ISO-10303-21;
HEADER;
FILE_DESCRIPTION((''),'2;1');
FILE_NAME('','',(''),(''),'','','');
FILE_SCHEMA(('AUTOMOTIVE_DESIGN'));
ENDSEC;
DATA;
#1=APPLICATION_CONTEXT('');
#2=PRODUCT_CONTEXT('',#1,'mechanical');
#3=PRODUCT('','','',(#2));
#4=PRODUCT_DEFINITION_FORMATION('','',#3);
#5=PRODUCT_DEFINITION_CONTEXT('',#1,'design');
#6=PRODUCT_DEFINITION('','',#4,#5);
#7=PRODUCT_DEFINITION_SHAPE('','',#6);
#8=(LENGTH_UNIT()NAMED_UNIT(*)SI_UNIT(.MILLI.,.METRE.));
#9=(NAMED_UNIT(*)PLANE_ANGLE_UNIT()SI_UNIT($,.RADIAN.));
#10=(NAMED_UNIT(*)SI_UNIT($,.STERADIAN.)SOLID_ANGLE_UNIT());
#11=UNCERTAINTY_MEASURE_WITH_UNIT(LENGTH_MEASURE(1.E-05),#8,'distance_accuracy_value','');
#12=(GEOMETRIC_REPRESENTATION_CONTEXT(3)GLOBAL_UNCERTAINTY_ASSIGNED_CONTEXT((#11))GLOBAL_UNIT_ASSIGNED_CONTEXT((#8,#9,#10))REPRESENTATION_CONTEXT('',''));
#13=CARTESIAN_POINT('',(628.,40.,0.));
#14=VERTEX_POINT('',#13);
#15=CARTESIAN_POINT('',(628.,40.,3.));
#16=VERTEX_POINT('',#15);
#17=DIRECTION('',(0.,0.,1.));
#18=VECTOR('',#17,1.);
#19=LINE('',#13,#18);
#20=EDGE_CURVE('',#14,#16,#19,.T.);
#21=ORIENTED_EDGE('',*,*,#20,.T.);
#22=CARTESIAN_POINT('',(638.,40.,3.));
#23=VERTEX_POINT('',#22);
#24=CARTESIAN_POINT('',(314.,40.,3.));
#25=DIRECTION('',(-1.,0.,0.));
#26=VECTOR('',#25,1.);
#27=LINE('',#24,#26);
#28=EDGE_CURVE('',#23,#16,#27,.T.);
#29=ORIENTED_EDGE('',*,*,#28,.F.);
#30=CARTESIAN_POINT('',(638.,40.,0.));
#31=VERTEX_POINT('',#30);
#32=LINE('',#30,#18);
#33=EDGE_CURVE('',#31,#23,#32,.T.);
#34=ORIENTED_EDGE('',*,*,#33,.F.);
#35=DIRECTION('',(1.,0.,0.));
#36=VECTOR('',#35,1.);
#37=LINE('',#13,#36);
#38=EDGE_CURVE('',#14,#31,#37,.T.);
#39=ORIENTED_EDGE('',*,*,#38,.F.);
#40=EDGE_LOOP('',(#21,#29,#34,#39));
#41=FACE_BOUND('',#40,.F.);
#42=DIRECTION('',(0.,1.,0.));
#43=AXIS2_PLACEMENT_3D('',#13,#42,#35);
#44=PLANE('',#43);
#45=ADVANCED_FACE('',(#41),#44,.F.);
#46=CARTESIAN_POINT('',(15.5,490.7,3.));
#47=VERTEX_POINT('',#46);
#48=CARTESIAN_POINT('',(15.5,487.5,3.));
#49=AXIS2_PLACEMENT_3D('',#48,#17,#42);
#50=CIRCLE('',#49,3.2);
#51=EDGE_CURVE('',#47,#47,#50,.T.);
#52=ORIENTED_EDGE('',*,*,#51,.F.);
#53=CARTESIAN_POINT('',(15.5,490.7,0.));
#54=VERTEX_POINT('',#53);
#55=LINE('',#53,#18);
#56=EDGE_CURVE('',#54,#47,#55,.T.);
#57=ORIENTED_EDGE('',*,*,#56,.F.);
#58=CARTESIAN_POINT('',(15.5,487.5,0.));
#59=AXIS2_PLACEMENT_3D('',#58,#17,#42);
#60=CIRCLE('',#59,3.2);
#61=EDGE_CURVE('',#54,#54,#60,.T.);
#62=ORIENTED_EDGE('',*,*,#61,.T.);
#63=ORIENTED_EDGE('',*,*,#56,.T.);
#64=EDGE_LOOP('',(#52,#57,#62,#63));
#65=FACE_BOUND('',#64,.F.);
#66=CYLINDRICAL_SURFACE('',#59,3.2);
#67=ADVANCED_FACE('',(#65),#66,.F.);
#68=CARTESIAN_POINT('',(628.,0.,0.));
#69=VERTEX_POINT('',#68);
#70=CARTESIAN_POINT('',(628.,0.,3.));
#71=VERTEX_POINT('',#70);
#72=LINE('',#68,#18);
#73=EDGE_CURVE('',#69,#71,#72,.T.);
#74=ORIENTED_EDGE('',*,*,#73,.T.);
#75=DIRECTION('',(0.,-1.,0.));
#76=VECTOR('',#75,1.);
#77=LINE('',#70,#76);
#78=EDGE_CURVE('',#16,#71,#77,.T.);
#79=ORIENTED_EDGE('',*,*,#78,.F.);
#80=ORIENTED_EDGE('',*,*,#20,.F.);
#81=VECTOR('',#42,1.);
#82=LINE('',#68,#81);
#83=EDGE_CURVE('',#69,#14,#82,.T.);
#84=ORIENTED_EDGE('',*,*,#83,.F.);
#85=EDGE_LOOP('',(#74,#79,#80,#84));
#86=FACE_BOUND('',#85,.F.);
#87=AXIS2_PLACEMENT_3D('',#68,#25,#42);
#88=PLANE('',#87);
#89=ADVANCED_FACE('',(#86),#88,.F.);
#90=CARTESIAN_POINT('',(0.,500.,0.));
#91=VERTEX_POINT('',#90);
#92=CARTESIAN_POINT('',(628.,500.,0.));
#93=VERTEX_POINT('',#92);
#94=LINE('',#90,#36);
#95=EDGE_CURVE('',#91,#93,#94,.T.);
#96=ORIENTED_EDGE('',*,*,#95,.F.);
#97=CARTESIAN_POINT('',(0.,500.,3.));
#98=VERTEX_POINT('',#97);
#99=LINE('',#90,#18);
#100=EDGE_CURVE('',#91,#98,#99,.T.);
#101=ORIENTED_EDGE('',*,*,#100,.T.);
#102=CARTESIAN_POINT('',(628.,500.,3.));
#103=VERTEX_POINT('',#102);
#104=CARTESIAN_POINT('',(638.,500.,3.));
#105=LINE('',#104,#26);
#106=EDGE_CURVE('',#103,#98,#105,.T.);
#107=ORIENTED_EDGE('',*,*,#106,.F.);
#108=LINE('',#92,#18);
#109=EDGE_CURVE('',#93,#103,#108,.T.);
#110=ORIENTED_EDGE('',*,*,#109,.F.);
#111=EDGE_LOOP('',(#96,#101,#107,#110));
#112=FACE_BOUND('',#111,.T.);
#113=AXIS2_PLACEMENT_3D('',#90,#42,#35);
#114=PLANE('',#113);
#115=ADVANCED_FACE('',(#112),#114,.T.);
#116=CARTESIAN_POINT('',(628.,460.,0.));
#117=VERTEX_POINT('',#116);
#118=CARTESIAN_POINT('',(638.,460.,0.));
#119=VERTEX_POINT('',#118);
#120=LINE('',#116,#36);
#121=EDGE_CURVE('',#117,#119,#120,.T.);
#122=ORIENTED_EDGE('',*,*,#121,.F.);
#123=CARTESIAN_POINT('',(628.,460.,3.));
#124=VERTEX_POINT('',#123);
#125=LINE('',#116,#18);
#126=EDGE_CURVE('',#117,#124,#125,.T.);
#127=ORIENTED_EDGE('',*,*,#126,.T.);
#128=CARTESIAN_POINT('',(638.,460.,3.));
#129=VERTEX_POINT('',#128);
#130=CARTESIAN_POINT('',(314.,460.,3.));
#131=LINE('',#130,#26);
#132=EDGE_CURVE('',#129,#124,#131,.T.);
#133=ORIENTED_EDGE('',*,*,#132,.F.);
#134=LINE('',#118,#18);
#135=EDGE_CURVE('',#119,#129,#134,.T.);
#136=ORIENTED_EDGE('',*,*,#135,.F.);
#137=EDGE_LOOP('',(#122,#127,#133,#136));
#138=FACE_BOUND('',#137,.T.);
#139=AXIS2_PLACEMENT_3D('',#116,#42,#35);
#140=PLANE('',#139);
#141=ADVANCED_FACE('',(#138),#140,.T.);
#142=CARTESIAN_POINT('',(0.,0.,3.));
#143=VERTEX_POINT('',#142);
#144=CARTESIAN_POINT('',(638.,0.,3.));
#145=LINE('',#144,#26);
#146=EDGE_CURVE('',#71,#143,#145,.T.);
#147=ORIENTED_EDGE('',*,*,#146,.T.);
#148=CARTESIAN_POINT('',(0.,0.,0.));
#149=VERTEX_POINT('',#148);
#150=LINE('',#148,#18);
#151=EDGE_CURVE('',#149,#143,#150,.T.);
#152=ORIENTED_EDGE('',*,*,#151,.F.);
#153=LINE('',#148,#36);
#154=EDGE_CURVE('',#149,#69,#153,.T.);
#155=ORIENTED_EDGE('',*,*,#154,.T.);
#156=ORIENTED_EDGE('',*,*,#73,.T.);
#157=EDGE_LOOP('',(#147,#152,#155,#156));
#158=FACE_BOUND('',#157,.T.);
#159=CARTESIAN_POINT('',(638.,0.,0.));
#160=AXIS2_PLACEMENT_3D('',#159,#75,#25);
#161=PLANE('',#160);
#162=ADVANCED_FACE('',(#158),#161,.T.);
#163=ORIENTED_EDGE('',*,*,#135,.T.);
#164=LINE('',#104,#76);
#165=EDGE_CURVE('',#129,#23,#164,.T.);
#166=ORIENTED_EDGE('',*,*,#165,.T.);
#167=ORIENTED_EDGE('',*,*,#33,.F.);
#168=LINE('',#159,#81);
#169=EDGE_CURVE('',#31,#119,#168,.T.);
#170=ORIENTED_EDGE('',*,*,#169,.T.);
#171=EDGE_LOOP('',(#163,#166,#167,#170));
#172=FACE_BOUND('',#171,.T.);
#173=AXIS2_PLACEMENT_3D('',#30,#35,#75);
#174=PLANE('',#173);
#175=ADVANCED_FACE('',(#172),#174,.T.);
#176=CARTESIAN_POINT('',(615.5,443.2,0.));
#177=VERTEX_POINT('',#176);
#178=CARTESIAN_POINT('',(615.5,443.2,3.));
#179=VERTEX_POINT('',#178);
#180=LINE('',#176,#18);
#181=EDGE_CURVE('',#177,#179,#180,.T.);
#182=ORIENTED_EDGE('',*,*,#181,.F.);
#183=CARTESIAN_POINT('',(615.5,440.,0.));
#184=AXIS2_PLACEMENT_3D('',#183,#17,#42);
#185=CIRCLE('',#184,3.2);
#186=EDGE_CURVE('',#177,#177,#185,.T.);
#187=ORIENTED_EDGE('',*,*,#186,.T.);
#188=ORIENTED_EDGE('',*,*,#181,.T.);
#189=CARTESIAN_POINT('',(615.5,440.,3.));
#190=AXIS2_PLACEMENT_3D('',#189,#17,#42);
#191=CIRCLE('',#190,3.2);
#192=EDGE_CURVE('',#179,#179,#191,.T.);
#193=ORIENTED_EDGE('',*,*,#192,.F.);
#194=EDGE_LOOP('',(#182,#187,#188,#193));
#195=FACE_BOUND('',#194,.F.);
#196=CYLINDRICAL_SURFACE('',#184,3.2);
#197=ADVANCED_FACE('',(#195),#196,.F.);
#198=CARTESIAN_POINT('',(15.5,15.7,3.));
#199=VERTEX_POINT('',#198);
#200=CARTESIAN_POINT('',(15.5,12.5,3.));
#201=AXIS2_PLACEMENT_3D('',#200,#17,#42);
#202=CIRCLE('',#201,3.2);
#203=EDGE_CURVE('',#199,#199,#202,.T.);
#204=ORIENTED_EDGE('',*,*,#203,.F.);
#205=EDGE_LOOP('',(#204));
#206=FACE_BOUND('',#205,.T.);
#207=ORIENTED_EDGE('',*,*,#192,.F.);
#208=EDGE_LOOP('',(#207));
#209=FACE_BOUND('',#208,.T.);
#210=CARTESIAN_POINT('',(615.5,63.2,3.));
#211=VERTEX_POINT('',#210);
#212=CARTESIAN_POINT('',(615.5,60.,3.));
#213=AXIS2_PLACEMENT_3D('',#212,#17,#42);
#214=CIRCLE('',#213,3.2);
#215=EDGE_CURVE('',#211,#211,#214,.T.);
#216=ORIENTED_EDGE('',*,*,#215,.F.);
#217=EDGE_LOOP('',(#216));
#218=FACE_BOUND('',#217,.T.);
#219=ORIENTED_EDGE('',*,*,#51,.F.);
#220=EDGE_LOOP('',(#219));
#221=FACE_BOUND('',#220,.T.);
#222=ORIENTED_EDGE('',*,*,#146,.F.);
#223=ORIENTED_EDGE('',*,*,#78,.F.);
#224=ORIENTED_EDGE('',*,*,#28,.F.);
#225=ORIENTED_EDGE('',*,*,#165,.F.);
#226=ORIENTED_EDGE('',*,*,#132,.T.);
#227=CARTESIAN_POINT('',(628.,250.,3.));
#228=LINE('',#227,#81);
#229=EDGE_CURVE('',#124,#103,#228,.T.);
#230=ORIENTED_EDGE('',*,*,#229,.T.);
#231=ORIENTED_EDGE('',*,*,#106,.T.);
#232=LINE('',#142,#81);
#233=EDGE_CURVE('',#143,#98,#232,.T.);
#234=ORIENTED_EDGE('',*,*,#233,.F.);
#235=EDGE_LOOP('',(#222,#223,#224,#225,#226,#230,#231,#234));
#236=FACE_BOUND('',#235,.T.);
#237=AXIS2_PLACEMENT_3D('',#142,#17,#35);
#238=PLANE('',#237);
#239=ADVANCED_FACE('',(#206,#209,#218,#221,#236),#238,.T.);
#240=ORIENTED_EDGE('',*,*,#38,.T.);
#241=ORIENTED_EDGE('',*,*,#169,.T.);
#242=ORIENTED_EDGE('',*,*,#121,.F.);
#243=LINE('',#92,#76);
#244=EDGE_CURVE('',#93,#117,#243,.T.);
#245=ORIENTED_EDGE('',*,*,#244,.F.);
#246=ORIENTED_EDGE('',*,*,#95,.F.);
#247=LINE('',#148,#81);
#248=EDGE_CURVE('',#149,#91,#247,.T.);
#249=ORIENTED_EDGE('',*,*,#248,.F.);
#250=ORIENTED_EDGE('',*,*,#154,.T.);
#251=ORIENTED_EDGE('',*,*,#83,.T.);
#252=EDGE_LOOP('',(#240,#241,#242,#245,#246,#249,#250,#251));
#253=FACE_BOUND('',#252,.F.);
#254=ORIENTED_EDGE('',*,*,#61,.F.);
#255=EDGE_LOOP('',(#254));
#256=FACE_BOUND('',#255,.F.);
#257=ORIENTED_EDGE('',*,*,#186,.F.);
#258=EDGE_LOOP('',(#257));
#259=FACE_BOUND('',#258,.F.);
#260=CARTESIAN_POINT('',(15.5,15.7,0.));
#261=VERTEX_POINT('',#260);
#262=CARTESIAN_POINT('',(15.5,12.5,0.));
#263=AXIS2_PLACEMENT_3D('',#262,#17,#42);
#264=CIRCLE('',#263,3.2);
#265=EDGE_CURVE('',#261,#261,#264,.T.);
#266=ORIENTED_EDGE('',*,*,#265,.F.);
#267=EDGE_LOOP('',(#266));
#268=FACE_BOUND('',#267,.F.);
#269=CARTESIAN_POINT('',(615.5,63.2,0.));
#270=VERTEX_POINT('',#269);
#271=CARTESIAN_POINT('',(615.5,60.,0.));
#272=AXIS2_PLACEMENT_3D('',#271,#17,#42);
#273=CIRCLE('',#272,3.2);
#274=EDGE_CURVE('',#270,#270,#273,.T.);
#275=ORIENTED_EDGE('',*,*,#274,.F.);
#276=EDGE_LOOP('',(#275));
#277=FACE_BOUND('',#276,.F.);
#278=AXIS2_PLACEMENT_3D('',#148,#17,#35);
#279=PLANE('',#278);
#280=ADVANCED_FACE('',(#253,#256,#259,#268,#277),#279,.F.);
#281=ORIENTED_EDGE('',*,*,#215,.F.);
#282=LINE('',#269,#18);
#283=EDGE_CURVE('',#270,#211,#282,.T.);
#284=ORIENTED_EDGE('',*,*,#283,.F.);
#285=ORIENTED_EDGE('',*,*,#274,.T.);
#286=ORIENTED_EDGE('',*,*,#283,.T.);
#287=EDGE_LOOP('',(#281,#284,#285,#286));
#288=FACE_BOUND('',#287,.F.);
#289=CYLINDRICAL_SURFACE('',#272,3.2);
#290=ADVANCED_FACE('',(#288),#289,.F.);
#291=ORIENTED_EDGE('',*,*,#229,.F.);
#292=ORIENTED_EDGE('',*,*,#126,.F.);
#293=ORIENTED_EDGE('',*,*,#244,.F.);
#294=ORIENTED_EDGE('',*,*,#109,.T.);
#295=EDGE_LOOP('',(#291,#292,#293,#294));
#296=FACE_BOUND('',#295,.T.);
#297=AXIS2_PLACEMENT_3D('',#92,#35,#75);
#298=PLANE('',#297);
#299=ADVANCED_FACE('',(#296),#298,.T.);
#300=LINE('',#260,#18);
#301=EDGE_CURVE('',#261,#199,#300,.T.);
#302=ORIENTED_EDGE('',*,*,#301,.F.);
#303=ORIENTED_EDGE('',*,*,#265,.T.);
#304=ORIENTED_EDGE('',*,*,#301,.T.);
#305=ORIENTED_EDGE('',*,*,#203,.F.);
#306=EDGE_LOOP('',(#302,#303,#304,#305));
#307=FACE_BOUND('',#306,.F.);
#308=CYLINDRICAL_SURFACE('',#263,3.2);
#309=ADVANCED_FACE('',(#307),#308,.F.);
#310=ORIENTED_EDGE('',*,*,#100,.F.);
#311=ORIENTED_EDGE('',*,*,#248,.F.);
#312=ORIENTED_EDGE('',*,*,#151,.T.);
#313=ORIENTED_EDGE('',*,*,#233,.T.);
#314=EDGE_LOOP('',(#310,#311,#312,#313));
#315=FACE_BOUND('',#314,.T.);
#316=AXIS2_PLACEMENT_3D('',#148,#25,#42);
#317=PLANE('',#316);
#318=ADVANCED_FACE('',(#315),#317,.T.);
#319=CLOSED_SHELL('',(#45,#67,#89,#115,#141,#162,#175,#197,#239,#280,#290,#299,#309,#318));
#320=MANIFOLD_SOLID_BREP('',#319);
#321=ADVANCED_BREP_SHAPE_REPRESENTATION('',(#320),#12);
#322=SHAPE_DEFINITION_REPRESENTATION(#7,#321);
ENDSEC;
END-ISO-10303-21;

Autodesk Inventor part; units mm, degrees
ref_plane "YZ Plane" through (0, 0, 0) normal (1, 0, 0) x (0, 1, 0)
ref_plane "XZ Plane" through (0, 0, 0) normal (0, 1, 0) x (-1, 0, 0)
ref_plane "XY Plane" through (0, 0, 0) normal (0, 0, 1) x (1, 0, 0)
sketch "Sketch1" plane through (0, 0, 0) normal (0, 0, 1) x (1, 0, 0)
  line L0 (638, 0) -> (0, 0)
  line L1 (0, 0) -> (0, 500)
  line L2 (0, 500) -> (638, 500)
  line L3 (638, 500) -> (638, 0)
  line L4 (615.5, 493.1922) -> (615.5, 30.4656) construction
  line L5 (15.5, 487.5) -> (15.5, 12.5) construction
  line L6 (638, 500) -> (615.5, 500)
  line L7 (638, 460) -> (638, 500)
  line L8 (638, 0) -> (615.5, 0)
  line L9 (638, 40) -> (638, 0)
  line L10 (638, 500) -> (628, 500)
  line L11 (628, 500) -> (628, 460)
  line L12 (628, 460) -> (638, 460)
  line L13 (638, 460) -> (638, 500)
  line L14 (638, 0) -> (628, 0)
  line L15 (628, 0) -> (628, 40)
  line L16 (628, 40) -> (638, 40)
  line L17 (638, 40) -> (638, 0)
  point P0 (615.5, 60)
  point P1 (615.5, 440)
  point P2 (615.5, 40)
  dimension "d2" = 638
  dimension "d3" = 500
  dimension "d10" = 22.5
  dimension "d11" = 15.5
  dimension "d12" = 12.5
  dimension "d13" = 12.5
  dimension "d14" = 60
  dimension "d15" = 60
  dimension "d29" = 10
extrude "Extrusion1" add sketch "Sketch1" along normal blind 3
hole "Hole1" at (615.5, 60, 0) at (615.5, 440, 0) at (15.5, 487.5, 0) at (15.5, 12.5, 0) direction (0, 0, 1) diameter 6.4 end through all
extrude "Extrusion3" cut sketch "Sketch1" along normal through all contours L0 L15 L16 L3 | L12 L11 L2 L3
properties part number "right_wall"
